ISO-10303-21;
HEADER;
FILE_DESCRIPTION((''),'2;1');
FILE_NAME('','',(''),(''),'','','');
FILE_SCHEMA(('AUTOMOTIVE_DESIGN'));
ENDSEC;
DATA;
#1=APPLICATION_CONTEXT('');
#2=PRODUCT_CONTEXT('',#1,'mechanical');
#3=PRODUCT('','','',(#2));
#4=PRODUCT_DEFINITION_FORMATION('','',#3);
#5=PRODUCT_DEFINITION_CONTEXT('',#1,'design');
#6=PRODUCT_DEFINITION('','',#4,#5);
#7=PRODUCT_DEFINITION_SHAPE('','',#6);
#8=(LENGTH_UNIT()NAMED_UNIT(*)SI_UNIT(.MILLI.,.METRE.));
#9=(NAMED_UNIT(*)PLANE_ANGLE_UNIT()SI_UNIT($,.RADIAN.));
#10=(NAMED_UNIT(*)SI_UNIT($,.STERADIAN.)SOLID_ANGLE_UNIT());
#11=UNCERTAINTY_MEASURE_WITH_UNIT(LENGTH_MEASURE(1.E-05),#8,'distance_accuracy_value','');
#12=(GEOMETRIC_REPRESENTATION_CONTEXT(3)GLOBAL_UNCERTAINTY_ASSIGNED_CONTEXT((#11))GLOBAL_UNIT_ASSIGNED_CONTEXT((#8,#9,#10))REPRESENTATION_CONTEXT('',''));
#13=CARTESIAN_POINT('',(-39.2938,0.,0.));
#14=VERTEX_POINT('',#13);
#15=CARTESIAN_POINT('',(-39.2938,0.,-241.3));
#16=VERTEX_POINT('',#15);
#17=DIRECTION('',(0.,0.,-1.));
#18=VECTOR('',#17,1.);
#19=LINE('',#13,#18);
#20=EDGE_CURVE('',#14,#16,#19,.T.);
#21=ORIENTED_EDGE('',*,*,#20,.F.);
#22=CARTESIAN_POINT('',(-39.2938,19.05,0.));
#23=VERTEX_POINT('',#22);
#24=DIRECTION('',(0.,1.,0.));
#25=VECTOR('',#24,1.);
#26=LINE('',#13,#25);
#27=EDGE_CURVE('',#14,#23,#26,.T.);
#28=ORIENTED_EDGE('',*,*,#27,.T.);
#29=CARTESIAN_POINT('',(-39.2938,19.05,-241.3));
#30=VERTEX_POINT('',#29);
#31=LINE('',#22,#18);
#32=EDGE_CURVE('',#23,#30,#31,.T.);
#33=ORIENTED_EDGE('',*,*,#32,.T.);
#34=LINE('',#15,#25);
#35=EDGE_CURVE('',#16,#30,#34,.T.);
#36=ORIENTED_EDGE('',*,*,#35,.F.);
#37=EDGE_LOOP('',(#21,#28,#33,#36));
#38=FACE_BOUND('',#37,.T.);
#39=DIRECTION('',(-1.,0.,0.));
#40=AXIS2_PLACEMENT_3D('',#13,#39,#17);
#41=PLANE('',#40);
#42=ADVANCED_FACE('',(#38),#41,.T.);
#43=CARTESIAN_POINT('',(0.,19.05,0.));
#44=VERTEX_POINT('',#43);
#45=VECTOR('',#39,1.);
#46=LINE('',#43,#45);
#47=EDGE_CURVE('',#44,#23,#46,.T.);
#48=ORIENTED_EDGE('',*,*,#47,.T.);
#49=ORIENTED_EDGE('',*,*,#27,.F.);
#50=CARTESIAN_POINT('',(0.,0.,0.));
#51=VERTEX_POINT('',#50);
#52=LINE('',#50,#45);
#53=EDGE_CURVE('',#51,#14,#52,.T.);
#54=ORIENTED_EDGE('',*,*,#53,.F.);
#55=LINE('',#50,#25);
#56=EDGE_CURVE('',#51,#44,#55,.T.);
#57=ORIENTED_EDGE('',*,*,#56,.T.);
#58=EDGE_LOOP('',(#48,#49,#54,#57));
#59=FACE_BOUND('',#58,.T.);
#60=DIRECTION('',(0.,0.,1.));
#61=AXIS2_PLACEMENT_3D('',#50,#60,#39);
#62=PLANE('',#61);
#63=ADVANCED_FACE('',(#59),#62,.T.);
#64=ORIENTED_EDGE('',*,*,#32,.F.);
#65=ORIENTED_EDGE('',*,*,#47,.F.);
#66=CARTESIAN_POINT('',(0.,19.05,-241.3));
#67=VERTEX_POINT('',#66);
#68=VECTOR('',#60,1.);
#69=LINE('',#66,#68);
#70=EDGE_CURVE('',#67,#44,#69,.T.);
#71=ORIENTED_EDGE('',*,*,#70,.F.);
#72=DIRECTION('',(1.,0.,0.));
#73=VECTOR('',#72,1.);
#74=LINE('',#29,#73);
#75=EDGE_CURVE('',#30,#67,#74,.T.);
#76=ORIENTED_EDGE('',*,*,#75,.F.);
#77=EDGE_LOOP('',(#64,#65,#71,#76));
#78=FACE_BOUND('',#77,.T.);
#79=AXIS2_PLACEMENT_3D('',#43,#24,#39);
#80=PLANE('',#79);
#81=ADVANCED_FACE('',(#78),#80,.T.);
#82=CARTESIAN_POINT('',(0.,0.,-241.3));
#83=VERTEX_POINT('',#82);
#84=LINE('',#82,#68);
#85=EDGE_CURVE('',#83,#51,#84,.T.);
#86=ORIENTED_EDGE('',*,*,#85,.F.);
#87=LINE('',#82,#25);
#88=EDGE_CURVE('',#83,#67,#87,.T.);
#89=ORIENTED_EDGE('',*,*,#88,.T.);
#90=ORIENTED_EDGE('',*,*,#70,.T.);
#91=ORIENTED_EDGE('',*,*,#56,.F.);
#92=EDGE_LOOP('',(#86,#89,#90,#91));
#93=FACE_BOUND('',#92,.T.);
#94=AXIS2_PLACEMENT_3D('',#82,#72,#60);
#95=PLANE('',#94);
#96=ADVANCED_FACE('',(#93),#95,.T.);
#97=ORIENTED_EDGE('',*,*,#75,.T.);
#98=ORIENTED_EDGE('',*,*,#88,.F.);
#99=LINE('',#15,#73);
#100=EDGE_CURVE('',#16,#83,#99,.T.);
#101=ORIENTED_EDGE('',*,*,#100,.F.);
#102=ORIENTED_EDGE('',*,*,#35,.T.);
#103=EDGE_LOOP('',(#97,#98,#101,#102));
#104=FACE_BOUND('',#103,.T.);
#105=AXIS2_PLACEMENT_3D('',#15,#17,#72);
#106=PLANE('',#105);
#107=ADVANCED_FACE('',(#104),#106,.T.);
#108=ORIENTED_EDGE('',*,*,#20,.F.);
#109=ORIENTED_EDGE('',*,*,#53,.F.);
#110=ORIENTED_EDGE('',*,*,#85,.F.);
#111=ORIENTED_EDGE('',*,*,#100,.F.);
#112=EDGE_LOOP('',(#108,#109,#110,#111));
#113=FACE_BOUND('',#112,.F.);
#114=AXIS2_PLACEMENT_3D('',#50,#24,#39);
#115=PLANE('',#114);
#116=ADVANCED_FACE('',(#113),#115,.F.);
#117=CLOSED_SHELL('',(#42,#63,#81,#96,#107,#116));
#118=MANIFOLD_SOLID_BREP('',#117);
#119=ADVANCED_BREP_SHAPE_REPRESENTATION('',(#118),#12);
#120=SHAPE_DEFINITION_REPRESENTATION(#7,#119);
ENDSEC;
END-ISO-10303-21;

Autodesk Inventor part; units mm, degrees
ref_plane "YZ Plane" through (0, 0, 0) normal (1, 0, 0) x (0, 1, 0)
ref_plane "XZ Plane" through (0, 0, 0) normal (0, 1, 0) x (-1, 0, 0)
ref_plane "XY Plane" through (0, 0, 0) normal (0, 0, 1) x (1, 0, 0)
sketch "Sketch1" plane through (0, 0, 0) normal (0, 1, 0) x (-1, 0, 0)
  line L0 (0, 0) -> (39.2938, 0)
  line L1 (39.2938, 0) -> (39.2938, -241.3)
  line L2 (39.2938, -241.3) -> (0, -241.3)
  line L3 (0, -241.3) -> (0, 0)
  dimension "d0" = 39.2938
  dimension "d1" = 241.3
extrude "Extrusion1" add sketch "Sketch1" along normal blind 19.05
properties part number "ffooter"
